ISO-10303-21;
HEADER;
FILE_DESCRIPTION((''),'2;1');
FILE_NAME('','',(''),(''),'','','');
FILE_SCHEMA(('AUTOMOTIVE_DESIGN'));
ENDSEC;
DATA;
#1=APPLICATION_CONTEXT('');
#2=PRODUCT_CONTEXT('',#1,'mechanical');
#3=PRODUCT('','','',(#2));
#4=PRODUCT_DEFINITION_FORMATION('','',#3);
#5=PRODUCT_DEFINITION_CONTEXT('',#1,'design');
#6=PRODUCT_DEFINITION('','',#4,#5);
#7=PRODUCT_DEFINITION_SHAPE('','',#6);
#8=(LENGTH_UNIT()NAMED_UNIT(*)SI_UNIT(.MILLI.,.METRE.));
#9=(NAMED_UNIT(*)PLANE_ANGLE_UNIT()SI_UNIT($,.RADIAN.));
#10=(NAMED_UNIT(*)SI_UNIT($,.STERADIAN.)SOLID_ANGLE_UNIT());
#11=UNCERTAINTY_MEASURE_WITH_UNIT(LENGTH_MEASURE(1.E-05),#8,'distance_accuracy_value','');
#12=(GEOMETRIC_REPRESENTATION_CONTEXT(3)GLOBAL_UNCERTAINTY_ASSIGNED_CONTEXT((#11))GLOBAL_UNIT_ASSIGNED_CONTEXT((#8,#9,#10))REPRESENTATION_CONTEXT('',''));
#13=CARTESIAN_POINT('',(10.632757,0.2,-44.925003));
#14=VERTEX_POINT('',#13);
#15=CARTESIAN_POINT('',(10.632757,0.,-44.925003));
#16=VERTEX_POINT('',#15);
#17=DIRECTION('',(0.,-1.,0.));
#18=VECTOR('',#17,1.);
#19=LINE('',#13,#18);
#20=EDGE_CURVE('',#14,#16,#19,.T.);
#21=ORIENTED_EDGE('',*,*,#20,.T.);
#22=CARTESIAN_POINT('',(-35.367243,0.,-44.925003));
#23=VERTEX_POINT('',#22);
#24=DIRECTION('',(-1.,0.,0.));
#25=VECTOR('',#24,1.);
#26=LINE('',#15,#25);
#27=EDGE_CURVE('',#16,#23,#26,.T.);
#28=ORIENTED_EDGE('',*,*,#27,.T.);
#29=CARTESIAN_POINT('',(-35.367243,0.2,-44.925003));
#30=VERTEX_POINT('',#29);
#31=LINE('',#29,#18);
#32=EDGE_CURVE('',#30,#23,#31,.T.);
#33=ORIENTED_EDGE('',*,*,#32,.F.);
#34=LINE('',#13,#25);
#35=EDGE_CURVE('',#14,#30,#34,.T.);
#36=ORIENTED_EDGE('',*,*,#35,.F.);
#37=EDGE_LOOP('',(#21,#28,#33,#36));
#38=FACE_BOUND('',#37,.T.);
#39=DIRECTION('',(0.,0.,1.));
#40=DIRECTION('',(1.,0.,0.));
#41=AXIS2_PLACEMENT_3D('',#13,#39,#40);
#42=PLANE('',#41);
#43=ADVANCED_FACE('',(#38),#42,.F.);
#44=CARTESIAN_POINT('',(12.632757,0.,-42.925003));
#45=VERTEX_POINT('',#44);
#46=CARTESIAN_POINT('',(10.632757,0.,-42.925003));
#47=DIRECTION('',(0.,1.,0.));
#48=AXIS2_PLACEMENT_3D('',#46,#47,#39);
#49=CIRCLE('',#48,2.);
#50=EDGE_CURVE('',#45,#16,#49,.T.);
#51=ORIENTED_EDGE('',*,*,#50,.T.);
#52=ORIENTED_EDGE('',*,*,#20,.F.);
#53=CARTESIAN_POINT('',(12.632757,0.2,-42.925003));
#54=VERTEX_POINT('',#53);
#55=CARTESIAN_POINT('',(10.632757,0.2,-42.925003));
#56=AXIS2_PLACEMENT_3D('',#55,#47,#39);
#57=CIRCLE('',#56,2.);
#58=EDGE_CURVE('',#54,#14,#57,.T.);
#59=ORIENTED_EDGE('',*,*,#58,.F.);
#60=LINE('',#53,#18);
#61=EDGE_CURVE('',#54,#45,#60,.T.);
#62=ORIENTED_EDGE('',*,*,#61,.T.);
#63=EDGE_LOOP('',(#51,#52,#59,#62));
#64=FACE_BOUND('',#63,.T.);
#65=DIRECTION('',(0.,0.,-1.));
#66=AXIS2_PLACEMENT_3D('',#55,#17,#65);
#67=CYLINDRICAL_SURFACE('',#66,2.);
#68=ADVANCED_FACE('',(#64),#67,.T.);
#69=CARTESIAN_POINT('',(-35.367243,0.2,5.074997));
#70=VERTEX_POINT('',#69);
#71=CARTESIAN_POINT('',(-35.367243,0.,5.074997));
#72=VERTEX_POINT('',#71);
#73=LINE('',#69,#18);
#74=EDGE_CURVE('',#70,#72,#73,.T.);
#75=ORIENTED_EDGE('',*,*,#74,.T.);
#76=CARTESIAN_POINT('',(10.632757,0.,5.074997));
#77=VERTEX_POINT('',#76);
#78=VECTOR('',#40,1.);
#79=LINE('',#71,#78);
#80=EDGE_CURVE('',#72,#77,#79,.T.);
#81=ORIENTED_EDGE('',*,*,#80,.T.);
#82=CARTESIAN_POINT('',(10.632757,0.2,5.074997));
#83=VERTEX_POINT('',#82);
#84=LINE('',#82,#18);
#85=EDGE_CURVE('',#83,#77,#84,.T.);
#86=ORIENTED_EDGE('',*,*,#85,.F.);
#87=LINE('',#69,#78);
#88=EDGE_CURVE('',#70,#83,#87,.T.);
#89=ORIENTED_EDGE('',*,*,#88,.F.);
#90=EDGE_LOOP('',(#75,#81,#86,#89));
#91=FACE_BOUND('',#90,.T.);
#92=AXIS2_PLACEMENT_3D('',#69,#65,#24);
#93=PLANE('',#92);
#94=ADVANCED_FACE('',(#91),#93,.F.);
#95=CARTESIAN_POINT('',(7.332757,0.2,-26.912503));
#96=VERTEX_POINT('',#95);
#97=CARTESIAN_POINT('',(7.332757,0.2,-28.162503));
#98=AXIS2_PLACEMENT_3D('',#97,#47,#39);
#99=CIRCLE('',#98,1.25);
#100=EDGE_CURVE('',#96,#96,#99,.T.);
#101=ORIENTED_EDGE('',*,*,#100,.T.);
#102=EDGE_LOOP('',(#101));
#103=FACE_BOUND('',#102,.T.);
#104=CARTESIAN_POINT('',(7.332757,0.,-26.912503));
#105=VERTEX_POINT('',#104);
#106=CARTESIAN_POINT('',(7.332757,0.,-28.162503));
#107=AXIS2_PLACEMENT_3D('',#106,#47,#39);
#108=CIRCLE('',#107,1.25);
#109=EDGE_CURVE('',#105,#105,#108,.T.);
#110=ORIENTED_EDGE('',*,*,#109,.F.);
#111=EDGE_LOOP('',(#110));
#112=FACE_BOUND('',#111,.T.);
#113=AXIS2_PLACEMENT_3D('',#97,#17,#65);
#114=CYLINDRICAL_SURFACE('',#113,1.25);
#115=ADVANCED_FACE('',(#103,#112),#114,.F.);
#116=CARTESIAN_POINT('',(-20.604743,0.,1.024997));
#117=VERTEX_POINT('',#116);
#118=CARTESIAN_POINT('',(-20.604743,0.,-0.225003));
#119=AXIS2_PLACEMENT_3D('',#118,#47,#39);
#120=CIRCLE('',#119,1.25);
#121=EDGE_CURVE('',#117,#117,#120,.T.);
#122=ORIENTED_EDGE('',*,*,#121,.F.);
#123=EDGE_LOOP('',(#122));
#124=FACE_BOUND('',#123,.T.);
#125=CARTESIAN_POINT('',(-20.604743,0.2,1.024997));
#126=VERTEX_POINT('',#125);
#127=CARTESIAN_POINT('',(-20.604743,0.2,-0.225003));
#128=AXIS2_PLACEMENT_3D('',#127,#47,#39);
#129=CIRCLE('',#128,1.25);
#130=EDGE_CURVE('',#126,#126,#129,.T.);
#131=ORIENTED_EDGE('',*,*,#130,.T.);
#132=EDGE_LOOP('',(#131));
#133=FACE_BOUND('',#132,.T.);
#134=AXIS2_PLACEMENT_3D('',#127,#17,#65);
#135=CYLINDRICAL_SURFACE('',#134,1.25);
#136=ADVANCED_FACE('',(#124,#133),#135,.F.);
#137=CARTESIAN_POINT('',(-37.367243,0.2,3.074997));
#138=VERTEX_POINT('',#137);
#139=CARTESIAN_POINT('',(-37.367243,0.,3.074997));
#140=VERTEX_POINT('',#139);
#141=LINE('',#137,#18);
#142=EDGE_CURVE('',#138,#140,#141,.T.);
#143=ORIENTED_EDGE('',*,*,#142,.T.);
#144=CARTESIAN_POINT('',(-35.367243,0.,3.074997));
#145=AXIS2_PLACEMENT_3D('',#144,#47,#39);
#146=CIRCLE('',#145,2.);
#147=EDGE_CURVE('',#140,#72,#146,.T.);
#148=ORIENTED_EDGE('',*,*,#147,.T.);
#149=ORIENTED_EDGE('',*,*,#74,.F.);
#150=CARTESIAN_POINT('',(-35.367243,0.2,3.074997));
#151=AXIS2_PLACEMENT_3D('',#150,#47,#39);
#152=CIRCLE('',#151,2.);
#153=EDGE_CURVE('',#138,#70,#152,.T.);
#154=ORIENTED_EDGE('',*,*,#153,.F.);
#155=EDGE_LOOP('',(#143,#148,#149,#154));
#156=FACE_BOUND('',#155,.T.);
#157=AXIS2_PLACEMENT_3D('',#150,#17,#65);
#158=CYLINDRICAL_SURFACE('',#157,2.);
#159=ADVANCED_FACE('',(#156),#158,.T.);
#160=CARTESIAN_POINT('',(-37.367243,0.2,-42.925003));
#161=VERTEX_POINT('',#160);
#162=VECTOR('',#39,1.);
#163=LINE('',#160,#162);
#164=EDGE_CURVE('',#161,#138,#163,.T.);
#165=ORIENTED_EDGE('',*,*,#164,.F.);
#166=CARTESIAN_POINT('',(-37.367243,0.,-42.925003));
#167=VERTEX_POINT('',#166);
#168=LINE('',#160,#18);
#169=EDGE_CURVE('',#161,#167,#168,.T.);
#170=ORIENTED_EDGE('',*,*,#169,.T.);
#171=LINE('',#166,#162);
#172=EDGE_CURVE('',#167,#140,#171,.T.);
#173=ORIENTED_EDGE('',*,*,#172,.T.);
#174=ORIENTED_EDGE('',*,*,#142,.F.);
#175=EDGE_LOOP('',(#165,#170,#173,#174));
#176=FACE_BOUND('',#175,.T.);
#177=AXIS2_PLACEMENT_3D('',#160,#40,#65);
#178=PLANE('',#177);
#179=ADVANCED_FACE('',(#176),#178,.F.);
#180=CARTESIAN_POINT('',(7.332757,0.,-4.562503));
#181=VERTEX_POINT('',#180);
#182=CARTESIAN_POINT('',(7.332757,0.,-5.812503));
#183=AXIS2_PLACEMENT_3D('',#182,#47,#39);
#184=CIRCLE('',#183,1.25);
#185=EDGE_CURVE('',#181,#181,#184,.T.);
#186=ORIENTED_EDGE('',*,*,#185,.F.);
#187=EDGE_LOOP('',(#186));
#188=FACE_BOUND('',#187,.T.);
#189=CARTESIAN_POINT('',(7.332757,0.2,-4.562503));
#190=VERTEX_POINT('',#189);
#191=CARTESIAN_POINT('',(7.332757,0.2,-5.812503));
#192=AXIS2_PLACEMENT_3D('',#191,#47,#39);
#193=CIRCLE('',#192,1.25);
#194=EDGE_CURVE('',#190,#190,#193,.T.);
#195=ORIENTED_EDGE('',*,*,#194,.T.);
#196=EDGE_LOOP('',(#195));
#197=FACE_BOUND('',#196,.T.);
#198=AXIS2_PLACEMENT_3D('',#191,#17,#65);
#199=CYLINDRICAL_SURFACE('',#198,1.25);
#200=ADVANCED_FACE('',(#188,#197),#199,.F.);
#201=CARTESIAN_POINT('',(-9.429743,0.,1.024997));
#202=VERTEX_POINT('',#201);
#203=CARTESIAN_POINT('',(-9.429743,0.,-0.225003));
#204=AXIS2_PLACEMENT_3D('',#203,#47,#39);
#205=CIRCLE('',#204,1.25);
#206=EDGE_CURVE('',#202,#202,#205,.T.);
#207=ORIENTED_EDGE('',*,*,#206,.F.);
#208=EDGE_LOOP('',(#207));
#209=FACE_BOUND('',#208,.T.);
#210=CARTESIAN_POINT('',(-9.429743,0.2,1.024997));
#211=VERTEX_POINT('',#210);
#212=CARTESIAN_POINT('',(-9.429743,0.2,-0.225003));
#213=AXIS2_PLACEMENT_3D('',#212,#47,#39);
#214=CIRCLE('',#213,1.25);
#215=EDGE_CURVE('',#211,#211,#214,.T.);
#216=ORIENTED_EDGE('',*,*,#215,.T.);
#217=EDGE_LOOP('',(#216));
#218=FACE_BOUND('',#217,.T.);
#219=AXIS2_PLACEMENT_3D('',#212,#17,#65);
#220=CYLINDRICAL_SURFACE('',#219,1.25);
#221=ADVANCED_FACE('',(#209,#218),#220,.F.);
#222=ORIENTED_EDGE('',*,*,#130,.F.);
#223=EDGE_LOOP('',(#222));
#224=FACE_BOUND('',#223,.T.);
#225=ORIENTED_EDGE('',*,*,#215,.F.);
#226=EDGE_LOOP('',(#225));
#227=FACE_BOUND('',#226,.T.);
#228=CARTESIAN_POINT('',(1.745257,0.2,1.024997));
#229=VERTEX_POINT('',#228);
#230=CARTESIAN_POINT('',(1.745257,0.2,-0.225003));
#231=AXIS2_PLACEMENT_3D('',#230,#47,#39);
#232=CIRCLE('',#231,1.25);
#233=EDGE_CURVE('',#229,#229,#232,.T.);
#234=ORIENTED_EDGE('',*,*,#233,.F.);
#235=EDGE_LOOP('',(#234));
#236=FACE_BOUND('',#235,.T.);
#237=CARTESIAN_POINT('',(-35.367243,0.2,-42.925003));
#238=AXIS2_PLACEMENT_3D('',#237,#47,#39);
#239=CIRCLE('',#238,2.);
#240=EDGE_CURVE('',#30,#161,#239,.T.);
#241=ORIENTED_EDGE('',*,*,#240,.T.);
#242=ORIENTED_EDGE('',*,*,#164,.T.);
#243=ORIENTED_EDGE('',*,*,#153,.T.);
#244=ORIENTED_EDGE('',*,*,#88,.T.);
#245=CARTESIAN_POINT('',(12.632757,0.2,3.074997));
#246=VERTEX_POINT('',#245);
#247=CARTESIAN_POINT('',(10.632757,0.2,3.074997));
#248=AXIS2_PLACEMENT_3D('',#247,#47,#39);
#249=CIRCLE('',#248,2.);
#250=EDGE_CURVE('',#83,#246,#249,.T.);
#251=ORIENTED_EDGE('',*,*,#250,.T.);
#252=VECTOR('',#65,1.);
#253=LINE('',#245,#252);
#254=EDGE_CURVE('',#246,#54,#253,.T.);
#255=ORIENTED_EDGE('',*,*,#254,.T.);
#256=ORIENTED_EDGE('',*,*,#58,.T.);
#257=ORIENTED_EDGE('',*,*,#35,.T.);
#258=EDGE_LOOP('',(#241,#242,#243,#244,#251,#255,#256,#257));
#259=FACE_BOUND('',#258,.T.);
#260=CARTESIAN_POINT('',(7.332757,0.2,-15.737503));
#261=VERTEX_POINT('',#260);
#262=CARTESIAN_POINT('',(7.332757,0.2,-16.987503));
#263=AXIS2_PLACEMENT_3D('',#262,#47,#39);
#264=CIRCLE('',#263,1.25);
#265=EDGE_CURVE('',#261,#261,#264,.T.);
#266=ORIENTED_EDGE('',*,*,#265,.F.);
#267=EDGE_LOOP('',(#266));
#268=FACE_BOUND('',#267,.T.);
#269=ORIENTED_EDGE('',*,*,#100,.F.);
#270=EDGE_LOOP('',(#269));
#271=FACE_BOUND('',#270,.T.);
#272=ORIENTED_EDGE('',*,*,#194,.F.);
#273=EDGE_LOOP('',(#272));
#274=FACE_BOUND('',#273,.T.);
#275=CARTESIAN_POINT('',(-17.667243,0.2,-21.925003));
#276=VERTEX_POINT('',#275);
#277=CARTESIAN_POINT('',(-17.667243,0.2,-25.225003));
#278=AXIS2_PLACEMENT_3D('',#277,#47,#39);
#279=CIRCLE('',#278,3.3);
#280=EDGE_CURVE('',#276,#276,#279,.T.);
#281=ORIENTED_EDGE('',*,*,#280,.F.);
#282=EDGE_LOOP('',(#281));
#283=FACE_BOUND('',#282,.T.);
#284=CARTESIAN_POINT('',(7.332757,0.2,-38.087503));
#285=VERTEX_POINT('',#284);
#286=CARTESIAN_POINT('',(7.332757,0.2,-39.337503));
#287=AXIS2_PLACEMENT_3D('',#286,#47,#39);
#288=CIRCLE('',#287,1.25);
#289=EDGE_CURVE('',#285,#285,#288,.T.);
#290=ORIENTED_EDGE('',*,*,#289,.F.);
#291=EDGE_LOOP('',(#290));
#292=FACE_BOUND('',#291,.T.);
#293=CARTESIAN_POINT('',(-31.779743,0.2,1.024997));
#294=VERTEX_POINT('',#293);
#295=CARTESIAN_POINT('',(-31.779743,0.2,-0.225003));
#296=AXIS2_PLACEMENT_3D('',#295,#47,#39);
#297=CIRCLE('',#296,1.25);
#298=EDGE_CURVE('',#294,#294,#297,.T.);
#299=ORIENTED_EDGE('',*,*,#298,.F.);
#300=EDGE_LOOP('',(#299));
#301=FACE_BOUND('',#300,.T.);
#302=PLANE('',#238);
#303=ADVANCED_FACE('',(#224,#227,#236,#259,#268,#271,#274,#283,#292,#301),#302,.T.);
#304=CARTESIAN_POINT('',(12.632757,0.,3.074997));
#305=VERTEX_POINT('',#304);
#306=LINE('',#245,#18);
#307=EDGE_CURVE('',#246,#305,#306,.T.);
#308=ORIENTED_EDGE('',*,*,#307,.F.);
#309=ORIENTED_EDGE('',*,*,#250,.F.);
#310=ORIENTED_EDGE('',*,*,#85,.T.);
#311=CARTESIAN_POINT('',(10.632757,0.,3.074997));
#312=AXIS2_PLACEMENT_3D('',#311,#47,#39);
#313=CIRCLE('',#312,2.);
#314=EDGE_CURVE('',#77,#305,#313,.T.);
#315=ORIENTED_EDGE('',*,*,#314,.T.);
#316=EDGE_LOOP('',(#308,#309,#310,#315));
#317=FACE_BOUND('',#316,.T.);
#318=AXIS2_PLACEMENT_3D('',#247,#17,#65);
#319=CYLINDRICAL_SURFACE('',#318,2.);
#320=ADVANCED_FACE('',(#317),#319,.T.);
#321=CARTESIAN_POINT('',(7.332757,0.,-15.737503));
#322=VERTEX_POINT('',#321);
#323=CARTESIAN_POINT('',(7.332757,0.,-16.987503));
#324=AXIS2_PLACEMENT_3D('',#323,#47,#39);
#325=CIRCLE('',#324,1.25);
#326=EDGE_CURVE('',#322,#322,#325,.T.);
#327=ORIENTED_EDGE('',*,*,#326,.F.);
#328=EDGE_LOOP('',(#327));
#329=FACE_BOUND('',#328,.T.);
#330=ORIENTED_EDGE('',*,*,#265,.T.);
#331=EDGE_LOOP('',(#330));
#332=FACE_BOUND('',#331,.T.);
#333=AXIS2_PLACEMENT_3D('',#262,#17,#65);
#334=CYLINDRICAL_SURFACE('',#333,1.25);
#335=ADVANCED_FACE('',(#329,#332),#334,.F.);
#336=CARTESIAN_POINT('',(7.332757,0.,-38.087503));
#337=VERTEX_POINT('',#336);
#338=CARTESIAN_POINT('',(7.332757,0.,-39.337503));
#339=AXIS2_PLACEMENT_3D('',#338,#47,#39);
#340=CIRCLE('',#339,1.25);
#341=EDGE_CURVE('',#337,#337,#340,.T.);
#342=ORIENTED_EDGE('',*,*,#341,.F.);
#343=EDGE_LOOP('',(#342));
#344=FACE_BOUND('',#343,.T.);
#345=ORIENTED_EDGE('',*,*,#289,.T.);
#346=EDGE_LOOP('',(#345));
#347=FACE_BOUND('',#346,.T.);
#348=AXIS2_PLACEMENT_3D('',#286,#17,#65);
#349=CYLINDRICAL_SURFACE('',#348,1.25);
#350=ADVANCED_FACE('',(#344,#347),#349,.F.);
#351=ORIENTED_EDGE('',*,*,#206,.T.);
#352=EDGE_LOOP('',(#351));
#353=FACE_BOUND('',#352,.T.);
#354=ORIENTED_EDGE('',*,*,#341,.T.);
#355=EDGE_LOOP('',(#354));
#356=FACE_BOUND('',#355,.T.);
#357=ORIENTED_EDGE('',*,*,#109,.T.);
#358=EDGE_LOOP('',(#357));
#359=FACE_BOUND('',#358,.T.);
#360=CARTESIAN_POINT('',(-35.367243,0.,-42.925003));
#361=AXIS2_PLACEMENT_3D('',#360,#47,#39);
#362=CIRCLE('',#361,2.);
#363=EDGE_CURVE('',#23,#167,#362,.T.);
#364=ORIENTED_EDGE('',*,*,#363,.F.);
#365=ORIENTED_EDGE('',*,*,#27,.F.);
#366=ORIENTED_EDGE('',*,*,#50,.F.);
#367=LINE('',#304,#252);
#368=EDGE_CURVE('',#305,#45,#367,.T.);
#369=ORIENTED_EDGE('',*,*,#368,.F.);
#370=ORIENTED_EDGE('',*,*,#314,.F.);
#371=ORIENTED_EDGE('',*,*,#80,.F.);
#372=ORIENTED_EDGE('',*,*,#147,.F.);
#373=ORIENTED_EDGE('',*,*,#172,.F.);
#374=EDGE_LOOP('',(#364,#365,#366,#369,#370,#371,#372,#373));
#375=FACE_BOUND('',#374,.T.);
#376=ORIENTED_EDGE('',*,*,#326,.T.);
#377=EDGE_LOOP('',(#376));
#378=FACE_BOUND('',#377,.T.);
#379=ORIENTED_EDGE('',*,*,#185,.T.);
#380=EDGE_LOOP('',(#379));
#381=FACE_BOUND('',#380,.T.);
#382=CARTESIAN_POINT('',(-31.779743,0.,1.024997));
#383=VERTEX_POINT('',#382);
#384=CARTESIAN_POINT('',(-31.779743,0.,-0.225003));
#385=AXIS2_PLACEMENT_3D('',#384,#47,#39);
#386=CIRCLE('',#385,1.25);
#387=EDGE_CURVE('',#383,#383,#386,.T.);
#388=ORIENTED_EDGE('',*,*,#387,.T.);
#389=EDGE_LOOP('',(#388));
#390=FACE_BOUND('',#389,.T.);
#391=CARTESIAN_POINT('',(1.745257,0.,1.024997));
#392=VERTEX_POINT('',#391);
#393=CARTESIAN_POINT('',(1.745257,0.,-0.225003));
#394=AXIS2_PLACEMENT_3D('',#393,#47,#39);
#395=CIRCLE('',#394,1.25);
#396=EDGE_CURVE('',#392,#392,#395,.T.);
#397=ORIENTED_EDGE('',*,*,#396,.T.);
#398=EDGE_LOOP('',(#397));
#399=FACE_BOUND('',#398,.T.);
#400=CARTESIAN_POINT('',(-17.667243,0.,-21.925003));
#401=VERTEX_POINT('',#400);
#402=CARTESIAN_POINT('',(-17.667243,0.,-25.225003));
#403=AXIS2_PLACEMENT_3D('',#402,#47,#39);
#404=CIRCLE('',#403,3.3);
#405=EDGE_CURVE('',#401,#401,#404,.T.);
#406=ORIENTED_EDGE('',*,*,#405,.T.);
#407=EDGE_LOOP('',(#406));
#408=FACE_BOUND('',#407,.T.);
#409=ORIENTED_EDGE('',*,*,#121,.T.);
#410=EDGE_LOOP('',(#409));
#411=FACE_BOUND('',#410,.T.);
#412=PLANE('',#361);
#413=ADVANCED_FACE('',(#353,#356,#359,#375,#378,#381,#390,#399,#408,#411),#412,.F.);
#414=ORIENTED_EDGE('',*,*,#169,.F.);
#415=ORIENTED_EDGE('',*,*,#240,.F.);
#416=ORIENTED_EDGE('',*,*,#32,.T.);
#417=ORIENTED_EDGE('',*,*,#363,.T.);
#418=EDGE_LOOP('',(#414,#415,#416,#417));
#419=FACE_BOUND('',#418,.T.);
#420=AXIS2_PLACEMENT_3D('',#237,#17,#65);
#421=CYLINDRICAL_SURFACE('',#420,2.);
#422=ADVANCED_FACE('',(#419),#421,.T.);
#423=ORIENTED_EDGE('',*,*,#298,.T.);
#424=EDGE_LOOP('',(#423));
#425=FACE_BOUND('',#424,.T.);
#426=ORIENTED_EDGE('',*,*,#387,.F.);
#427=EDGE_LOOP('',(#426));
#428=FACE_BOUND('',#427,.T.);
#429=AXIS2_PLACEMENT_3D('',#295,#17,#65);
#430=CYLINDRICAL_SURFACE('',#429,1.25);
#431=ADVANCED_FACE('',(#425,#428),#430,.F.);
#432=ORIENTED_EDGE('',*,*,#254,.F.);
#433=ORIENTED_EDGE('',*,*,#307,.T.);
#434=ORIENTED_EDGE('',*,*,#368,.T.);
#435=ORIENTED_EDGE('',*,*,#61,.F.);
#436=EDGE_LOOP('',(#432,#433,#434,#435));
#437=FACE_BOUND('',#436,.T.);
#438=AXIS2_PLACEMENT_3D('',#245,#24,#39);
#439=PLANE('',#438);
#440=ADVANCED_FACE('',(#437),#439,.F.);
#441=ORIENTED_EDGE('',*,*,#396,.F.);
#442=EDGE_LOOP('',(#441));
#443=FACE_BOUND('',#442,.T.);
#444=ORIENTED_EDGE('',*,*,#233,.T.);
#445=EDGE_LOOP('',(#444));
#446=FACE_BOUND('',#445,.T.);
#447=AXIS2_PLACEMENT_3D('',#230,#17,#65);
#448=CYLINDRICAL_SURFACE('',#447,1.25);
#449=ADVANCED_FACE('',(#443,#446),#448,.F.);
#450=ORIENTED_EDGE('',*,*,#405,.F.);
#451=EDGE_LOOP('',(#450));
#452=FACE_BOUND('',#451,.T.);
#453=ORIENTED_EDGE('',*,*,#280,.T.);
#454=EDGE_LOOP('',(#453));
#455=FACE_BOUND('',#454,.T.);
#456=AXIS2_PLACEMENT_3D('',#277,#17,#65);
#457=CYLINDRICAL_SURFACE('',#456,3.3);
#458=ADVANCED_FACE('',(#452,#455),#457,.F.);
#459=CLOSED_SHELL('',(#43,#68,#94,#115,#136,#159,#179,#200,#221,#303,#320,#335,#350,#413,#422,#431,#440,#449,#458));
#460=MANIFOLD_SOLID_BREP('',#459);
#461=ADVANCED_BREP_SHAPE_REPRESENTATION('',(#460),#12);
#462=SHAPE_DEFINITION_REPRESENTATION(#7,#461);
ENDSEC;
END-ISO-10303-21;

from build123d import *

# Parameters (mm, degrees)
SKETCH1_R           = 3.3
SKETCH1_R_2         = 1.25
BOSS_EXTRUDE1_DEPTH = 0.2


with BuildPart() as part:
    # Sketch1 → Boss-Extrude1 (new body)
    with BuildSketch(Plane(origin=(0, 0, 0), x_dir=(1, 0, 0), z_dir=(0, 1, 0))):
        with BuildLine():
            Line((-37.367243025, 42.925002652), (-37.367243025, -3.074997348))
            ThreePointArc((-37.367243025, -3.074997348), (-36.781456588, -4.48921091), (-35.367243025, -5.074997348))
            Line((-35.367243025, -5.074997348), (10.632756975, -5.074997348))
            ThreePointArc((10.632756975, -5.074997348), (12.046970537, -4.48921091), (12.632756975, -3.074997348))
            Line((12.632756975, -3.074997348), (12.632756975, 42.925002652))
            ThreePointArc((12.632756975, 42.925002652), (12.046970537, 44.339216214), (10.632756975, 44.925002652))
            Line((10.632756975, 44.925002652), (-35.367243025, 44.925002652))
            ThreePointArc((-35.367243025, 44.925002652), (-36.781456588, 44.339216214), (-37.367243025, 42.925002652))
        make_face()
        with Locations(Location((-17.667243025, 25.225002652, 0), (0, 0, 270))):
            Circle(SKETCH1_R, mode=Mode.SUBTRACT)
        with Locations(Location((7.332756975, 16.987502652, 0), (0, 0, 270))):
            Circle(SKETCH1_R_2, mode=Mode.SUBTRACT)
        with Locations(Location((7.332756975, 28.162502652, 0), (0, 0, 270))):
            Circle(SKETCH1_R_2, mode=Mode.SUBTRACT)
        with Locations(Location((7.332756975, 39.337502652, 0), (0, 0, 270))):
            Circle(SKETCH1_R_2, mode=Mode.SUBTRACT)
        with Locations(Location((7.332756975, 5.812502652, 0), (0, 0, 270))):
            Circle(SKETCH1_R_2, mode=Mode.SUBTRACT)
        with Locations(Location((1.745256975, 0.225002652, 0), (0, 0, 270))):
            Circle(SKETCH1_R_2, mode=Mode.SUBTRACT)
        with Locations(Location((-9.429743025, 0.225002652, 0), (0, 0, 270))):
            Circle(SKETCH1_R_2, mode=Mode.SUBTRACT)
        with Locations(Location((-20.604743025, 0.225002652, 0), (0, 0, 270))):
            Circle(SKETCH1_R_2, mode=Mode.SUBTRACT)
        with Locations(Location((-31.779743025, 0.225002652, 0), (0, 0, 270))):
            Circle(SKETCH1_R_2, mode=Mode.SUBTRACT)
    extrude(amount=BOSS_EXTRUDE1_DEPTH)


solid = part.part
